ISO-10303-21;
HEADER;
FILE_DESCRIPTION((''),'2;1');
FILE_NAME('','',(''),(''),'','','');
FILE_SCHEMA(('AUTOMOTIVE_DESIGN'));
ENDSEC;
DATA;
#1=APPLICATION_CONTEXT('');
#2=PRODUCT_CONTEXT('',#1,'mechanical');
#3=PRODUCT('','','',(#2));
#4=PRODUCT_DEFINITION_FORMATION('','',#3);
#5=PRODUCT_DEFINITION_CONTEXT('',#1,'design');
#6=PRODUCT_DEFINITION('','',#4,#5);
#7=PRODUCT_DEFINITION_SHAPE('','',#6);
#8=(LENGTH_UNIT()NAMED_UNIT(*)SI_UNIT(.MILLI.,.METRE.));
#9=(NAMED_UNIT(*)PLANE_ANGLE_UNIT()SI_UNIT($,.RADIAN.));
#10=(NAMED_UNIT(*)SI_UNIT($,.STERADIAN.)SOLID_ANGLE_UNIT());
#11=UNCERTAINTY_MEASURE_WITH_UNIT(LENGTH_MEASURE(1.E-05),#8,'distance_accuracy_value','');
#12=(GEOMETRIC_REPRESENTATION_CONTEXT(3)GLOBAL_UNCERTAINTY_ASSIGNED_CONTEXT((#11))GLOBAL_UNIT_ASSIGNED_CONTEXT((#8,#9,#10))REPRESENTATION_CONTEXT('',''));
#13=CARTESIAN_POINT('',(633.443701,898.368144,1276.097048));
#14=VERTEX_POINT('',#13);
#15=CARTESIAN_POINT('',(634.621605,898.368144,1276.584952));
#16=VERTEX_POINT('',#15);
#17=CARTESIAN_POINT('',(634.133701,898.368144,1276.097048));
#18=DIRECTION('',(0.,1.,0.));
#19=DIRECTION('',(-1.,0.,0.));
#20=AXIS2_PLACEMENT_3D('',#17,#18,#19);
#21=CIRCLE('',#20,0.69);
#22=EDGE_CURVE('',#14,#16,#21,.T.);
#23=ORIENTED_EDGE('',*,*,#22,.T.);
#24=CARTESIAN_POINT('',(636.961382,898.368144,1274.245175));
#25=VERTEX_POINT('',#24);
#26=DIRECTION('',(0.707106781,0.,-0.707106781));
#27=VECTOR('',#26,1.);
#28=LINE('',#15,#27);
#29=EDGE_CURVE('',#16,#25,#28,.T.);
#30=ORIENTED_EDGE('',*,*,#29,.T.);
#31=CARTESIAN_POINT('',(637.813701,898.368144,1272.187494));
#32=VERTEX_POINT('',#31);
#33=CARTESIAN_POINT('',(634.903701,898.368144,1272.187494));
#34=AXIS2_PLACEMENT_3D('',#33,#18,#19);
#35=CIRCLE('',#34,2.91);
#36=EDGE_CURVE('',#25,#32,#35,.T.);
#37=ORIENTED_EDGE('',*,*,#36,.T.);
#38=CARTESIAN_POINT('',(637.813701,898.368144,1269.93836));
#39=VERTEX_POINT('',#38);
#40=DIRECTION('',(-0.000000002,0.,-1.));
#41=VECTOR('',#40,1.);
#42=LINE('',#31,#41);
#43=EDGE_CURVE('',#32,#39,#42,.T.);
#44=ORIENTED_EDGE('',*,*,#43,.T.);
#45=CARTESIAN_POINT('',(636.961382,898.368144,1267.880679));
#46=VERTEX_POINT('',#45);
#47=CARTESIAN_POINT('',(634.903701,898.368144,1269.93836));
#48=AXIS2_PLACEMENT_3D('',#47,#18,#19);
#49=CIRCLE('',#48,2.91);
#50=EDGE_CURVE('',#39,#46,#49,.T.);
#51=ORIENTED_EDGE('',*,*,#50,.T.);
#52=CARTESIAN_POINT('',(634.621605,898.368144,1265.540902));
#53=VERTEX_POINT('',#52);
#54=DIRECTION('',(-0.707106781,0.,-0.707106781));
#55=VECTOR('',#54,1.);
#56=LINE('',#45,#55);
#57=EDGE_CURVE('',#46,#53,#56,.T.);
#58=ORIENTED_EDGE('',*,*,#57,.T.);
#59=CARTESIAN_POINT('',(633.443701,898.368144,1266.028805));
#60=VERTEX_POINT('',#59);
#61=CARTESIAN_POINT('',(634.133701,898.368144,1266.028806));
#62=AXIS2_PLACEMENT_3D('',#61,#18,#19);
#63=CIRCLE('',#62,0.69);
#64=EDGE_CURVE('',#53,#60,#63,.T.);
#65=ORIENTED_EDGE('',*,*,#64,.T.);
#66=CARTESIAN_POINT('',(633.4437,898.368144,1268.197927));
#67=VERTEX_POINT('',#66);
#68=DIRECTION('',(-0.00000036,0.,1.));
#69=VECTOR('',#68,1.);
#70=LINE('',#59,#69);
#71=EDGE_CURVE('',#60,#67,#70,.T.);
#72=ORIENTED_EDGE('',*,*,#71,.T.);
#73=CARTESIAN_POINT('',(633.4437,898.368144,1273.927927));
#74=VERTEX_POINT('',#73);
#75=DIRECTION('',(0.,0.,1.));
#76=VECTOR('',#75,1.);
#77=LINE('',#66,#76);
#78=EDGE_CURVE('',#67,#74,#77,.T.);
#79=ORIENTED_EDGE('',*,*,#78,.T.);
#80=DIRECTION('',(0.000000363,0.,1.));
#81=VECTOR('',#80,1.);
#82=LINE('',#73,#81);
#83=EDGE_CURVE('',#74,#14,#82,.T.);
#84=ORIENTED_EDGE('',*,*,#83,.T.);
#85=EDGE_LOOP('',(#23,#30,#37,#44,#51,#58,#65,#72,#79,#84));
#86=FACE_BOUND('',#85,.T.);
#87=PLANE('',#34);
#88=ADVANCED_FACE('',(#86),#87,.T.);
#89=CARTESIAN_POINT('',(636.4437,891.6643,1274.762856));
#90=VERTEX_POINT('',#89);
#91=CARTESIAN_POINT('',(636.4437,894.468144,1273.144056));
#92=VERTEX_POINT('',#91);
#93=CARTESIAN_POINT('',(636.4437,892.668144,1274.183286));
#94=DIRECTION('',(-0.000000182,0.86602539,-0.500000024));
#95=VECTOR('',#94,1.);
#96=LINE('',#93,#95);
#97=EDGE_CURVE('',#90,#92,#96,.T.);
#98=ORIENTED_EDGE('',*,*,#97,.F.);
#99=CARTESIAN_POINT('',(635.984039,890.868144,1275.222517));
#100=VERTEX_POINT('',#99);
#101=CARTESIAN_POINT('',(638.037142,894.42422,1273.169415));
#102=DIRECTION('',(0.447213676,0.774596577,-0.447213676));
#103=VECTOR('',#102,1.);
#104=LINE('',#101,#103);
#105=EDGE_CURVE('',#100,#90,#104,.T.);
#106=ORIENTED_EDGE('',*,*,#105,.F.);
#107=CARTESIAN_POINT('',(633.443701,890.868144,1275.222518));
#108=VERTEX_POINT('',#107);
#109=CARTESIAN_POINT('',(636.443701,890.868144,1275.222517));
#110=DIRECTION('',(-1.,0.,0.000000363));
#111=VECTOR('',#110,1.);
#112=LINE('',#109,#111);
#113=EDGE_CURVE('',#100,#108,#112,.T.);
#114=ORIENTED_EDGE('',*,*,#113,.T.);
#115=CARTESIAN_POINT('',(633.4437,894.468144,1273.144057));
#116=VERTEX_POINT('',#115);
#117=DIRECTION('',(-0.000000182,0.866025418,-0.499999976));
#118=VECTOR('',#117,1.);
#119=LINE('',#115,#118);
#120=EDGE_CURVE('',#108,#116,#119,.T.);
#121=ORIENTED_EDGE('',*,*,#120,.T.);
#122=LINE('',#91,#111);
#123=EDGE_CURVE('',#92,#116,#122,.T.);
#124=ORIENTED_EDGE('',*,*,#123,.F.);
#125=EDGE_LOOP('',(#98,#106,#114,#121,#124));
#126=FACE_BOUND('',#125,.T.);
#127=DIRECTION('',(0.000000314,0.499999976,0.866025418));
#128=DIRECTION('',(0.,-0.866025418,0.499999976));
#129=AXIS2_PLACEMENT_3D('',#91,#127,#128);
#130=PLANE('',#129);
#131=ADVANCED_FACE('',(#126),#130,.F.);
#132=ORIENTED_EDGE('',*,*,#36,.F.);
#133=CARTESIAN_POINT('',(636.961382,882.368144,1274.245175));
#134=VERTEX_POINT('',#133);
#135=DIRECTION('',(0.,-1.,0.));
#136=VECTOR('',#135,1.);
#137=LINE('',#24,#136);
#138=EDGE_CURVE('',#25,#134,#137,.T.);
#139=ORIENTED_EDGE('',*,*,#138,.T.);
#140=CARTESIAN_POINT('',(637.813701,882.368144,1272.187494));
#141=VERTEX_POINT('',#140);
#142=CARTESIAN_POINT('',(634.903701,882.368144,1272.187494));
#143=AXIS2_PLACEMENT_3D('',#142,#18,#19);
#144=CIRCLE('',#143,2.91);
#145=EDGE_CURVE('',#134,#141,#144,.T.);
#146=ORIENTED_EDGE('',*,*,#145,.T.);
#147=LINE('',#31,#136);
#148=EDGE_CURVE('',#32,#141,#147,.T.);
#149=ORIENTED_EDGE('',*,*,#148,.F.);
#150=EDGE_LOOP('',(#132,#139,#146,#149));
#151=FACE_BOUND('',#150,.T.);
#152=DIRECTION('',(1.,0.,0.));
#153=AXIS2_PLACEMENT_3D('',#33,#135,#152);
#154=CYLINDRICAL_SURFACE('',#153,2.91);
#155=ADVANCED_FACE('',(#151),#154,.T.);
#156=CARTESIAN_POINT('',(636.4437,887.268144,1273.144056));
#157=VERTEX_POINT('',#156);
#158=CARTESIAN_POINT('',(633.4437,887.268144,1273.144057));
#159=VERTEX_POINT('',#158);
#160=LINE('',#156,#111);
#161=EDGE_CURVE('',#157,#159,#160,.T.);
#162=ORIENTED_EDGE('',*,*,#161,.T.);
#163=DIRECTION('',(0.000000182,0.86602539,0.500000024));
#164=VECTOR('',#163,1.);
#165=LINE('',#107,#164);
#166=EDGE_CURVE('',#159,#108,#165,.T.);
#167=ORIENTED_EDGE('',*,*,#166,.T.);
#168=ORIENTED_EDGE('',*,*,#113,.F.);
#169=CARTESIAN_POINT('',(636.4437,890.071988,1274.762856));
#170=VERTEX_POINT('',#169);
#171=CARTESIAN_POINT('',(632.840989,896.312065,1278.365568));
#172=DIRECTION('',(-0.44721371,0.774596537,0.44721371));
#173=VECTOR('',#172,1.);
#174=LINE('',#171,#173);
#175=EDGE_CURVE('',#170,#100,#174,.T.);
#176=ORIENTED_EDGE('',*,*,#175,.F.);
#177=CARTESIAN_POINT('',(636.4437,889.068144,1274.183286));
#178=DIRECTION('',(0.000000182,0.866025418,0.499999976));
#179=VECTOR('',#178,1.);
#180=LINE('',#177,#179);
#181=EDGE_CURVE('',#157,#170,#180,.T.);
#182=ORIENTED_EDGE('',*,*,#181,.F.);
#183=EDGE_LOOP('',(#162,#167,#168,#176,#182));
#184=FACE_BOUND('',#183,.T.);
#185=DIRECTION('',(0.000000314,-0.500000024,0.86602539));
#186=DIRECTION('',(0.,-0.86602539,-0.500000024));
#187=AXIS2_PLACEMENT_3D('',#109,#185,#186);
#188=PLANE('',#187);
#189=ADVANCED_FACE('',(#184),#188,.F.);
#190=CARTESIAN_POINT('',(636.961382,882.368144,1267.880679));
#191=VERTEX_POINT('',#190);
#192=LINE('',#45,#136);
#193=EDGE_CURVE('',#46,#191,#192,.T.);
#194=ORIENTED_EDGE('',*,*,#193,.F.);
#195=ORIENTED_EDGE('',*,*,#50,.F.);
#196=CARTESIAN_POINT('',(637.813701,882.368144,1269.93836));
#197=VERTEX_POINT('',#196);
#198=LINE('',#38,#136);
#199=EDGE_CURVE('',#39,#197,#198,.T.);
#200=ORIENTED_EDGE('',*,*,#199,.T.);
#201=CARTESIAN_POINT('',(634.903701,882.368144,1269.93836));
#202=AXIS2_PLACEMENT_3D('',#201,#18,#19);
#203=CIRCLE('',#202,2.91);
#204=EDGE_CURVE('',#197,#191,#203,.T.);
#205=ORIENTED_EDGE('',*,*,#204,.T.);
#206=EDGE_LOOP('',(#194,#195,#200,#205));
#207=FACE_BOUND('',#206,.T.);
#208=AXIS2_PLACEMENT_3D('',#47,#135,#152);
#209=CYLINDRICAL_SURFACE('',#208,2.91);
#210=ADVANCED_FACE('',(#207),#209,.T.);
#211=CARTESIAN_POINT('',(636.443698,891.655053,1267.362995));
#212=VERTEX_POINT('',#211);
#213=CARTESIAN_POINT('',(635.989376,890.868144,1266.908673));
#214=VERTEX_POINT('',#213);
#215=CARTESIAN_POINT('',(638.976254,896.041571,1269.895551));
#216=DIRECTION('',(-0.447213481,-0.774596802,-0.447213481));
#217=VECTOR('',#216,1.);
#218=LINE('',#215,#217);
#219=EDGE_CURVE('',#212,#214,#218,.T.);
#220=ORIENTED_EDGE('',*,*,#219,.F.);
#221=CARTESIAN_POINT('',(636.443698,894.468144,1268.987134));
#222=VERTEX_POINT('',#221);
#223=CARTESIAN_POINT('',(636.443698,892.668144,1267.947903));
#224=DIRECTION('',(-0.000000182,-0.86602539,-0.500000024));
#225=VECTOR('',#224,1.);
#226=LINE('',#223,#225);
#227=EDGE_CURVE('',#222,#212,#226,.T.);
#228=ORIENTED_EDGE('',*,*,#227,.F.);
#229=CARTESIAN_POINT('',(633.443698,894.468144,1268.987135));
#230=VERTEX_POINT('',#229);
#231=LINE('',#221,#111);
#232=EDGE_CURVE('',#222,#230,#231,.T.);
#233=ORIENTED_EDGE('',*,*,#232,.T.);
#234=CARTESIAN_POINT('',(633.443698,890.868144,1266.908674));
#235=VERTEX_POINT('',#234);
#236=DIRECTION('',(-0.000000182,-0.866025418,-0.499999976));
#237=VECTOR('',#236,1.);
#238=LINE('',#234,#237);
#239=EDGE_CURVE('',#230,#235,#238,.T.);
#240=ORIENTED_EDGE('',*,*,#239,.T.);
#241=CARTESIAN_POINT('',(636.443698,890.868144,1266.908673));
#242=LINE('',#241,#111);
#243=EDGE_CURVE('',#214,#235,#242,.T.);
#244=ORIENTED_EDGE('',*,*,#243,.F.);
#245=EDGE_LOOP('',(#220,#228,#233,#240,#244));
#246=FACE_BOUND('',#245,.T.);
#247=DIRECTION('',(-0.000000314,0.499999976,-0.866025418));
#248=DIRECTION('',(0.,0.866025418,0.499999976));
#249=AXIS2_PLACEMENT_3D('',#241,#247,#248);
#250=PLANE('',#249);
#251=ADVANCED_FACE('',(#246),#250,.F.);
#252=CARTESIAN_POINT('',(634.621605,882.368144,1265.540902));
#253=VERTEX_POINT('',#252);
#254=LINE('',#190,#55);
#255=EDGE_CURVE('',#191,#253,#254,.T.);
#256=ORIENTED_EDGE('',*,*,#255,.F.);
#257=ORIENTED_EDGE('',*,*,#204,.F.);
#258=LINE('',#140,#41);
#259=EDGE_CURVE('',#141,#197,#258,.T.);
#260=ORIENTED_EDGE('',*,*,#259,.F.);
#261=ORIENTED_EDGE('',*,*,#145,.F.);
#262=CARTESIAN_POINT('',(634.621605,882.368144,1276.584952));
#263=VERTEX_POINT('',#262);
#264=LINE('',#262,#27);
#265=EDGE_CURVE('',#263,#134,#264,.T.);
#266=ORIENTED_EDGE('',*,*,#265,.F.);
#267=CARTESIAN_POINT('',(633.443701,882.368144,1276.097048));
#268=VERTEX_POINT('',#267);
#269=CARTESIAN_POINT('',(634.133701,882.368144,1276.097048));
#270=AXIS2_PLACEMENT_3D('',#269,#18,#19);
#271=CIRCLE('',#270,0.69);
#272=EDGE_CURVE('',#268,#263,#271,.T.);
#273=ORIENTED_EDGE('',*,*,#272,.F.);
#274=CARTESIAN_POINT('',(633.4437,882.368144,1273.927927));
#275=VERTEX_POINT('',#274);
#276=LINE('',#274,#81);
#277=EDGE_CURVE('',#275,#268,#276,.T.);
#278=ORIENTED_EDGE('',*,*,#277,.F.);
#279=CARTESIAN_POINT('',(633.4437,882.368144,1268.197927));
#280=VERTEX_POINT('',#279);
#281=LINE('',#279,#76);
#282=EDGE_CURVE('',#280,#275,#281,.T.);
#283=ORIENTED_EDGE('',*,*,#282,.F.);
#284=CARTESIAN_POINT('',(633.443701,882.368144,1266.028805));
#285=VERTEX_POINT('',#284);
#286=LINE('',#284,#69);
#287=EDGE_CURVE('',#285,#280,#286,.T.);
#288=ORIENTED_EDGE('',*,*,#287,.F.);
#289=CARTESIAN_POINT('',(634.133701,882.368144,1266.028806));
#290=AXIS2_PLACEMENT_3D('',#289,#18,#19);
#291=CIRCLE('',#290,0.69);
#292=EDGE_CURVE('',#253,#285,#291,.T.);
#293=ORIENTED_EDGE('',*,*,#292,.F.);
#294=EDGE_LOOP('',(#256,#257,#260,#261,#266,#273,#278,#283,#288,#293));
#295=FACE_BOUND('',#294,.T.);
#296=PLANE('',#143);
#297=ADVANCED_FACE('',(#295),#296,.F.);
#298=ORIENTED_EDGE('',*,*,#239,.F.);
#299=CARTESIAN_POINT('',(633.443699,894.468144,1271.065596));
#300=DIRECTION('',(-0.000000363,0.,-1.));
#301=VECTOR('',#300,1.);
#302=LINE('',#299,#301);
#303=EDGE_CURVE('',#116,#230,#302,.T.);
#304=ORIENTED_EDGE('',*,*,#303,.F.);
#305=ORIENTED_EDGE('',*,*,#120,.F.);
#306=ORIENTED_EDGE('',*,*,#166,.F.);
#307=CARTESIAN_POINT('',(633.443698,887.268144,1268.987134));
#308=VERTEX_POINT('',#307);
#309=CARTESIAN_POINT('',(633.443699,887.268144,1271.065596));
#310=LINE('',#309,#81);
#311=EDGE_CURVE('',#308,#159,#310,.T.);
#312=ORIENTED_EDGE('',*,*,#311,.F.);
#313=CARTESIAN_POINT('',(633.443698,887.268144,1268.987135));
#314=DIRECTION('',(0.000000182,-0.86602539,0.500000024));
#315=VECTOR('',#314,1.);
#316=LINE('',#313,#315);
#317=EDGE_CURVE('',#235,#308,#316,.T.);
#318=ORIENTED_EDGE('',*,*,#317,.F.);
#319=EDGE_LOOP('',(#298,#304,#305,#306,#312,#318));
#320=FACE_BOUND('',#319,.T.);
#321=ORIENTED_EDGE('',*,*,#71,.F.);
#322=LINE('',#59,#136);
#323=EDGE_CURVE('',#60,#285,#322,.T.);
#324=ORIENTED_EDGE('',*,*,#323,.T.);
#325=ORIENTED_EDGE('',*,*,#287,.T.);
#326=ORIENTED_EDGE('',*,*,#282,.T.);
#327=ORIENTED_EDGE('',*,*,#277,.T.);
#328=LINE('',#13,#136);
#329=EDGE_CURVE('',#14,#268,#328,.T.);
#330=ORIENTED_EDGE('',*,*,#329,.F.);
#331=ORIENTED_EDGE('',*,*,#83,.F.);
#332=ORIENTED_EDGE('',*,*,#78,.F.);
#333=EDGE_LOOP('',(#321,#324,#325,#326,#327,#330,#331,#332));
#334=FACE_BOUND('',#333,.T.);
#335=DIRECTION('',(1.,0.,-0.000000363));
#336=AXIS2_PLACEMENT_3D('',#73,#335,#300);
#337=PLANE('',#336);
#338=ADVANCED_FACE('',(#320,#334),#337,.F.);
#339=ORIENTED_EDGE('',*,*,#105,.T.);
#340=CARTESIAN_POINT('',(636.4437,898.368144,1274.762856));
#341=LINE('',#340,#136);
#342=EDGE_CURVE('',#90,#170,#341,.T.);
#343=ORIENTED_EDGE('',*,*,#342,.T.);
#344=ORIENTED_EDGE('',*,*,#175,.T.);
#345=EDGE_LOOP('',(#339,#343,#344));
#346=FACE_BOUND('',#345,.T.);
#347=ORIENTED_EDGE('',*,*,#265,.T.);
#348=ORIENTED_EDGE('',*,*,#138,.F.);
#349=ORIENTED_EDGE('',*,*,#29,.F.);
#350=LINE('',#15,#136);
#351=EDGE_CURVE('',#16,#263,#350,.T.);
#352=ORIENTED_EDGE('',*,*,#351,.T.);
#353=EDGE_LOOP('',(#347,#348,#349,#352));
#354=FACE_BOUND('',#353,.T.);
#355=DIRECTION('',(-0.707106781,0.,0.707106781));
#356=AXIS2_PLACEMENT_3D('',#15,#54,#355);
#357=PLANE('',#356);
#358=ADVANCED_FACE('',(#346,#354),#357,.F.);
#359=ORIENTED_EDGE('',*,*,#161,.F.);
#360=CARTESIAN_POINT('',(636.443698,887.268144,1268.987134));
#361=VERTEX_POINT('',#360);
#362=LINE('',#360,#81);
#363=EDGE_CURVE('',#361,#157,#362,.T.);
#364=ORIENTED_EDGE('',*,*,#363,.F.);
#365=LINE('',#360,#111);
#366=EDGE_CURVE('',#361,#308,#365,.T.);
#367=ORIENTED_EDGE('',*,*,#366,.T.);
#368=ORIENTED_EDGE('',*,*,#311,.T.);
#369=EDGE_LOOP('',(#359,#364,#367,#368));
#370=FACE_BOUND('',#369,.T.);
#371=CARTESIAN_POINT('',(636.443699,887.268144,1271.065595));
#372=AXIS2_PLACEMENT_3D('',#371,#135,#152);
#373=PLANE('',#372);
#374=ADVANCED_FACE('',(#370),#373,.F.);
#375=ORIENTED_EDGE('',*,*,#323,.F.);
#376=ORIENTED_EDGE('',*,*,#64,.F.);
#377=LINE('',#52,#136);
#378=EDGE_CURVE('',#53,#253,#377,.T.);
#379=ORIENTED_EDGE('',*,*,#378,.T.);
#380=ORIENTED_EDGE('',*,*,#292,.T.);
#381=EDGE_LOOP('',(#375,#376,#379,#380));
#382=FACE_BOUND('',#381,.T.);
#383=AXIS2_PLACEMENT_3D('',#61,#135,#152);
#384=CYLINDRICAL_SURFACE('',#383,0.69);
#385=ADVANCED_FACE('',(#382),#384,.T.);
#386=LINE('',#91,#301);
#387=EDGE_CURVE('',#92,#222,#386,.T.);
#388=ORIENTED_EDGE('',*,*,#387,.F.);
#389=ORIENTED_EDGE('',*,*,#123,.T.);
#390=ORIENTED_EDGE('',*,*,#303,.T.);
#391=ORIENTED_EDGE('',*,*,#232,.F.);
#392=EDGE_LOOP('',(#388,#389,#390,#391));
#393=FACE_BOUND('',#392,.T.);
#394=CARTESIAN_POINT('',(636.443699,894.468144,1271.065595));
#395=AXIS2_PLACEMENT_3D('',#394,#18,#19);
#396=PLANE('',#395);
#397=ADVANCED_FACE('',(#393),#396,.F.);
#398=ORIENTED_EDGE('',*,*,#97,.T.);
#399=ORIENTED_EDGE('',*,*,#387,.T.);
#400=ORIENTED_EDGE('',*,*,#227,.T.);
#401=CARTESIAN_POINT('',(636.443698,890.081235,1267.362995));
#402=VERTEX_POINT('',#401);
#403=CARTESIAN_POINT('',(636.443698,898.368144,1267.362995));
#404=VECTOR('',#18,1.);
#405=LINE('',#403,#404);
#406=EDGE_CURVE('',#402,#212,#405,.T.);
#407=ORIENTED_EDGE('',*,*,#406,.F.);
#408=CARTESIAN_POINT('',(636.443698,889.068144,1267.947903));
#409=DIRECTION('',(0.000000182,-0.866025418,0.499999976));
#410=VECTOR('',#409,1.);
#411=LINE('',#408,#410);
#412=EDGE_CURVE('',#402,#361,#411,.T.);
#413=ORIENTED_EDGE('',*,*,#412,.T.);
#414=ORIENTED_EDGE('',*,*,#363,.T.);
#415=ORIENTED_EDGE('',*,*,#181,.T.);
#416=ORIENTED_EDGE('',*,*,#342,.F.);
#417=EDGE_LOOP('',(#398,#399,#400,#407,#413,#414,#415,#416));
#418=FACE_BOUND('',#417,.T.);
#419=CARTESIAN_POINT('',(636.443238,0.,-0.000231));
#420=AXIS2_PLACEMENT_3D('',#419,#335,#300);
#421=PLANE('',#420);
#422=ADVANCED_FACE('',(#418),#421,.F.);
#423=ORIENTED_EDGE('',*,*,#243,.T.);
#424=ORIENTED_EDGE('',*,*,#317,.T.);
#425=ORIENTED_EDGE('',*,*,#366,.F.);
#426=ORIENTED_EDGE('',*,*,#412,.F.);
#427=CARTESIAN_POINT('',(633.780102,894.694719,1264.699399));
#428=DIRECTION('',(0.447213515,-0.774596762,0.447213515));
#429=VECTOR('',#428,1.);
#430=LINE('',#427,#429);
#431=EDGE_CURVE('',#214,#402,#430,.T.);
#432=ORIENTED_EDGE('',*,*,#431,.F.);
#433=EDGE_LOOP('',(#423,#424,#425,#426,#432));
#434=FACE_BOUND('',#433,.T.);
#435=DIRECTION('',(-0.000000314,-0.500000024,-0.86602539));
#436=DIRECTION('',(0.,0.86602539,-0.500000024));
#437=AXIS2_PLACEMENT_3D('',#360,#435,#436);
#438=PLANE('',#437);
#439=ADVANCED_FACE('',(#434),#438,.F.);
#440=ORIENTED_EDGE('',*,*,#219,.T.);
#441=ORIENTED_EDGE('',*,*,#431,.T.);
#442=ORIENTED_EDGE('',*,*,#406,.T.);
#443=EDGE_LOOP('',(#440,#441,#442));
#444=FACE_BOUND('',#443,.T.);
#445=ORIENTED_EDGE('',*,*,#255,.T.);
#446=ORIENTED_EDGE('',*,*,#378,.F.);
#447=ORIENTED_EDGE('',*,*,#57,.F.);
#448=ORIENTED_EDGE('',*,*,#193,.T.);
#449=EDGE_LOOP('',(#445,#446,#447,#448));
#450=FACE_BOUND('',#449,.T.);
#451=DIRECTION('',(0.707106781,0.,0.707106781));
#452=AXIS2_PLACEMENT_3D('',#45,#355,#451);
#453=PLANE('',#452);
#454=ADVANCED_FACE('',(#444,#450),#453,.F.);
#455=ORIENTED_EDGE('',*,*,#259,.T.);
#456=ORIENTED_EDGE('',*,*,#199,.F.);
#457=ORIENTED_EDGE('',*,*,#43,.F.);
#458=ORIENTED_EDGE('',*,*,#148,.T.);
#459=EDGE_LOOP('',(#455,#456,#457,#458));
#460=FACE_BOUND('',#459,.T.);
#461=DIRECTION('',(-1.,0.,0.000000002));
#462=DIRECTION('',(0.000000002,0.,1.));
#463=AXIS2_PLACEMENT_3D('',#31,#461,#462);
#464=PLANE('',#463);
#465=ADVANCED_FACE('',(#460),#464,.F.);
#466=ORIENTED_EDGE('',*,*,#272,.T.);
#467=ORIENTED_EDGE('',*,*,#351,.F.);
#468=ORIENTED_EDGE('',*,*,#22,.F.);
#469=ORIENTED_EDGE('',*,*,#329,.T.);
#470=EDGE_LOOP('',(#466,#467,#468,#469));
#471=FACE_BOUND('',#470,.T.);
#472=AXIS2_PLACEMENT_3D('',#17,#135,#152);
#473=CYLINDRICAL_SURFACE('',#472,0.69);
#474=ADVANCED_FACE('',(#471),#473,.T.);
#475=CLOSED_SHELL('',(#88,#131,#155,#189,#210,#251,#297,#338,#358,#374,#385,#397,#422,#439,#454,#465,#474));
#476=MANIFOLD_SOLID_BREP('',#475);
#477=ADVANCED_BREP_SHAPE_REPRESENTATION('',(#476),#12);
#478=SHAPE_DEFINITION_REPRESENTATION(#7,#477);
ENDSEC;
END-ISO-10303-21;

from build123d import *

# Parameters (mm, degrees)
BOSS_EXTRUDE1_START = 3
BOSS_EXTRUDE1_DEPTH = 8
CUT_EXTRUDE1_DEPTH  = 3


with BuildPart() as part:
    # Sketch1 → Boss-Extrude1 (new, symmetric)
    with BuildSketch(Plane(origin=(0, 887.368143731, 0), x_dir=(1, 0, 0), z_dir=(0, 1, 0)).offset(BOSS_EXTRUDE1_START)):
        with BuildLine():
            Line((637.813700875, -1272.18749392), (637.81370087, -1269.938359702))
            ThreePointArc((637.81370087, -1269.938359702), (637.592190309, -1268.824750917), (636.961381603, -1267.880678974))
            Line((636.961381603, -1267.880678974), (634.621604573, -1265.540901944))
            ThreePointArc((634.621604573, -1265.540901944), (633.86964944, -1265.391328698), (633.443700894, -1266.028805374))
            Line((633.443700894, -1266.028805374), (633.443700112, -1268.19792696))
            Line((633.443700112, -1268.19792696), (633.443700112, -1273.927926678))
            Line((633.443700112, -1273.927926678), (633.4437009, -1276.09704826))
            ThreePointArc((633.4437009, -1276.09704826), (633.869649447, -1276.734524935), (634.621604579, -1276.584951689))
            Line((634.621604579, -1276.584951689), (636.961381608, -1274.245174659))
            ThreePointArc((636.961381608, -1274.245174659), (637.592190316, -1273.301102712), (637.813700875, -1272.18749392))
        make_face()
    extrude(amount=BOSS_EXTRUDE1_DEPTH, both=True)

    # Sketch2 → Cut-Extrude1 (cut)
    with BuildSketch(Plane(origin=(633.443237581, 0, -0.000229987), x_dir=(3.630749913810974e-07, 0, 0.9999999999999342), z_dir=(-0.9999999999999342, 0, 3.630749913810974e-07))):
        Polygon((1268.987365094, 887.268143731), (1267.948134548, 889.068143719), (1266.908904124, 890.868143731), (1267.948134534, 892.668143718), (1268.987365094, 894.468143731), (1271.065825986, 894.468143731), (1273.144287032, 894.468143731), (1274.18351745, 892.668143728), (1275.222748001, 890.868143731), (1274.183517448, 889.068143728), (1273.144287032, 887.268143731), (1271.065825995, 887.268143731), align=None)
    extrude(amount=-CUT_EXTRUDE1_DEPTH, mode=Mode.SUBTRACT)


solid = part.part
